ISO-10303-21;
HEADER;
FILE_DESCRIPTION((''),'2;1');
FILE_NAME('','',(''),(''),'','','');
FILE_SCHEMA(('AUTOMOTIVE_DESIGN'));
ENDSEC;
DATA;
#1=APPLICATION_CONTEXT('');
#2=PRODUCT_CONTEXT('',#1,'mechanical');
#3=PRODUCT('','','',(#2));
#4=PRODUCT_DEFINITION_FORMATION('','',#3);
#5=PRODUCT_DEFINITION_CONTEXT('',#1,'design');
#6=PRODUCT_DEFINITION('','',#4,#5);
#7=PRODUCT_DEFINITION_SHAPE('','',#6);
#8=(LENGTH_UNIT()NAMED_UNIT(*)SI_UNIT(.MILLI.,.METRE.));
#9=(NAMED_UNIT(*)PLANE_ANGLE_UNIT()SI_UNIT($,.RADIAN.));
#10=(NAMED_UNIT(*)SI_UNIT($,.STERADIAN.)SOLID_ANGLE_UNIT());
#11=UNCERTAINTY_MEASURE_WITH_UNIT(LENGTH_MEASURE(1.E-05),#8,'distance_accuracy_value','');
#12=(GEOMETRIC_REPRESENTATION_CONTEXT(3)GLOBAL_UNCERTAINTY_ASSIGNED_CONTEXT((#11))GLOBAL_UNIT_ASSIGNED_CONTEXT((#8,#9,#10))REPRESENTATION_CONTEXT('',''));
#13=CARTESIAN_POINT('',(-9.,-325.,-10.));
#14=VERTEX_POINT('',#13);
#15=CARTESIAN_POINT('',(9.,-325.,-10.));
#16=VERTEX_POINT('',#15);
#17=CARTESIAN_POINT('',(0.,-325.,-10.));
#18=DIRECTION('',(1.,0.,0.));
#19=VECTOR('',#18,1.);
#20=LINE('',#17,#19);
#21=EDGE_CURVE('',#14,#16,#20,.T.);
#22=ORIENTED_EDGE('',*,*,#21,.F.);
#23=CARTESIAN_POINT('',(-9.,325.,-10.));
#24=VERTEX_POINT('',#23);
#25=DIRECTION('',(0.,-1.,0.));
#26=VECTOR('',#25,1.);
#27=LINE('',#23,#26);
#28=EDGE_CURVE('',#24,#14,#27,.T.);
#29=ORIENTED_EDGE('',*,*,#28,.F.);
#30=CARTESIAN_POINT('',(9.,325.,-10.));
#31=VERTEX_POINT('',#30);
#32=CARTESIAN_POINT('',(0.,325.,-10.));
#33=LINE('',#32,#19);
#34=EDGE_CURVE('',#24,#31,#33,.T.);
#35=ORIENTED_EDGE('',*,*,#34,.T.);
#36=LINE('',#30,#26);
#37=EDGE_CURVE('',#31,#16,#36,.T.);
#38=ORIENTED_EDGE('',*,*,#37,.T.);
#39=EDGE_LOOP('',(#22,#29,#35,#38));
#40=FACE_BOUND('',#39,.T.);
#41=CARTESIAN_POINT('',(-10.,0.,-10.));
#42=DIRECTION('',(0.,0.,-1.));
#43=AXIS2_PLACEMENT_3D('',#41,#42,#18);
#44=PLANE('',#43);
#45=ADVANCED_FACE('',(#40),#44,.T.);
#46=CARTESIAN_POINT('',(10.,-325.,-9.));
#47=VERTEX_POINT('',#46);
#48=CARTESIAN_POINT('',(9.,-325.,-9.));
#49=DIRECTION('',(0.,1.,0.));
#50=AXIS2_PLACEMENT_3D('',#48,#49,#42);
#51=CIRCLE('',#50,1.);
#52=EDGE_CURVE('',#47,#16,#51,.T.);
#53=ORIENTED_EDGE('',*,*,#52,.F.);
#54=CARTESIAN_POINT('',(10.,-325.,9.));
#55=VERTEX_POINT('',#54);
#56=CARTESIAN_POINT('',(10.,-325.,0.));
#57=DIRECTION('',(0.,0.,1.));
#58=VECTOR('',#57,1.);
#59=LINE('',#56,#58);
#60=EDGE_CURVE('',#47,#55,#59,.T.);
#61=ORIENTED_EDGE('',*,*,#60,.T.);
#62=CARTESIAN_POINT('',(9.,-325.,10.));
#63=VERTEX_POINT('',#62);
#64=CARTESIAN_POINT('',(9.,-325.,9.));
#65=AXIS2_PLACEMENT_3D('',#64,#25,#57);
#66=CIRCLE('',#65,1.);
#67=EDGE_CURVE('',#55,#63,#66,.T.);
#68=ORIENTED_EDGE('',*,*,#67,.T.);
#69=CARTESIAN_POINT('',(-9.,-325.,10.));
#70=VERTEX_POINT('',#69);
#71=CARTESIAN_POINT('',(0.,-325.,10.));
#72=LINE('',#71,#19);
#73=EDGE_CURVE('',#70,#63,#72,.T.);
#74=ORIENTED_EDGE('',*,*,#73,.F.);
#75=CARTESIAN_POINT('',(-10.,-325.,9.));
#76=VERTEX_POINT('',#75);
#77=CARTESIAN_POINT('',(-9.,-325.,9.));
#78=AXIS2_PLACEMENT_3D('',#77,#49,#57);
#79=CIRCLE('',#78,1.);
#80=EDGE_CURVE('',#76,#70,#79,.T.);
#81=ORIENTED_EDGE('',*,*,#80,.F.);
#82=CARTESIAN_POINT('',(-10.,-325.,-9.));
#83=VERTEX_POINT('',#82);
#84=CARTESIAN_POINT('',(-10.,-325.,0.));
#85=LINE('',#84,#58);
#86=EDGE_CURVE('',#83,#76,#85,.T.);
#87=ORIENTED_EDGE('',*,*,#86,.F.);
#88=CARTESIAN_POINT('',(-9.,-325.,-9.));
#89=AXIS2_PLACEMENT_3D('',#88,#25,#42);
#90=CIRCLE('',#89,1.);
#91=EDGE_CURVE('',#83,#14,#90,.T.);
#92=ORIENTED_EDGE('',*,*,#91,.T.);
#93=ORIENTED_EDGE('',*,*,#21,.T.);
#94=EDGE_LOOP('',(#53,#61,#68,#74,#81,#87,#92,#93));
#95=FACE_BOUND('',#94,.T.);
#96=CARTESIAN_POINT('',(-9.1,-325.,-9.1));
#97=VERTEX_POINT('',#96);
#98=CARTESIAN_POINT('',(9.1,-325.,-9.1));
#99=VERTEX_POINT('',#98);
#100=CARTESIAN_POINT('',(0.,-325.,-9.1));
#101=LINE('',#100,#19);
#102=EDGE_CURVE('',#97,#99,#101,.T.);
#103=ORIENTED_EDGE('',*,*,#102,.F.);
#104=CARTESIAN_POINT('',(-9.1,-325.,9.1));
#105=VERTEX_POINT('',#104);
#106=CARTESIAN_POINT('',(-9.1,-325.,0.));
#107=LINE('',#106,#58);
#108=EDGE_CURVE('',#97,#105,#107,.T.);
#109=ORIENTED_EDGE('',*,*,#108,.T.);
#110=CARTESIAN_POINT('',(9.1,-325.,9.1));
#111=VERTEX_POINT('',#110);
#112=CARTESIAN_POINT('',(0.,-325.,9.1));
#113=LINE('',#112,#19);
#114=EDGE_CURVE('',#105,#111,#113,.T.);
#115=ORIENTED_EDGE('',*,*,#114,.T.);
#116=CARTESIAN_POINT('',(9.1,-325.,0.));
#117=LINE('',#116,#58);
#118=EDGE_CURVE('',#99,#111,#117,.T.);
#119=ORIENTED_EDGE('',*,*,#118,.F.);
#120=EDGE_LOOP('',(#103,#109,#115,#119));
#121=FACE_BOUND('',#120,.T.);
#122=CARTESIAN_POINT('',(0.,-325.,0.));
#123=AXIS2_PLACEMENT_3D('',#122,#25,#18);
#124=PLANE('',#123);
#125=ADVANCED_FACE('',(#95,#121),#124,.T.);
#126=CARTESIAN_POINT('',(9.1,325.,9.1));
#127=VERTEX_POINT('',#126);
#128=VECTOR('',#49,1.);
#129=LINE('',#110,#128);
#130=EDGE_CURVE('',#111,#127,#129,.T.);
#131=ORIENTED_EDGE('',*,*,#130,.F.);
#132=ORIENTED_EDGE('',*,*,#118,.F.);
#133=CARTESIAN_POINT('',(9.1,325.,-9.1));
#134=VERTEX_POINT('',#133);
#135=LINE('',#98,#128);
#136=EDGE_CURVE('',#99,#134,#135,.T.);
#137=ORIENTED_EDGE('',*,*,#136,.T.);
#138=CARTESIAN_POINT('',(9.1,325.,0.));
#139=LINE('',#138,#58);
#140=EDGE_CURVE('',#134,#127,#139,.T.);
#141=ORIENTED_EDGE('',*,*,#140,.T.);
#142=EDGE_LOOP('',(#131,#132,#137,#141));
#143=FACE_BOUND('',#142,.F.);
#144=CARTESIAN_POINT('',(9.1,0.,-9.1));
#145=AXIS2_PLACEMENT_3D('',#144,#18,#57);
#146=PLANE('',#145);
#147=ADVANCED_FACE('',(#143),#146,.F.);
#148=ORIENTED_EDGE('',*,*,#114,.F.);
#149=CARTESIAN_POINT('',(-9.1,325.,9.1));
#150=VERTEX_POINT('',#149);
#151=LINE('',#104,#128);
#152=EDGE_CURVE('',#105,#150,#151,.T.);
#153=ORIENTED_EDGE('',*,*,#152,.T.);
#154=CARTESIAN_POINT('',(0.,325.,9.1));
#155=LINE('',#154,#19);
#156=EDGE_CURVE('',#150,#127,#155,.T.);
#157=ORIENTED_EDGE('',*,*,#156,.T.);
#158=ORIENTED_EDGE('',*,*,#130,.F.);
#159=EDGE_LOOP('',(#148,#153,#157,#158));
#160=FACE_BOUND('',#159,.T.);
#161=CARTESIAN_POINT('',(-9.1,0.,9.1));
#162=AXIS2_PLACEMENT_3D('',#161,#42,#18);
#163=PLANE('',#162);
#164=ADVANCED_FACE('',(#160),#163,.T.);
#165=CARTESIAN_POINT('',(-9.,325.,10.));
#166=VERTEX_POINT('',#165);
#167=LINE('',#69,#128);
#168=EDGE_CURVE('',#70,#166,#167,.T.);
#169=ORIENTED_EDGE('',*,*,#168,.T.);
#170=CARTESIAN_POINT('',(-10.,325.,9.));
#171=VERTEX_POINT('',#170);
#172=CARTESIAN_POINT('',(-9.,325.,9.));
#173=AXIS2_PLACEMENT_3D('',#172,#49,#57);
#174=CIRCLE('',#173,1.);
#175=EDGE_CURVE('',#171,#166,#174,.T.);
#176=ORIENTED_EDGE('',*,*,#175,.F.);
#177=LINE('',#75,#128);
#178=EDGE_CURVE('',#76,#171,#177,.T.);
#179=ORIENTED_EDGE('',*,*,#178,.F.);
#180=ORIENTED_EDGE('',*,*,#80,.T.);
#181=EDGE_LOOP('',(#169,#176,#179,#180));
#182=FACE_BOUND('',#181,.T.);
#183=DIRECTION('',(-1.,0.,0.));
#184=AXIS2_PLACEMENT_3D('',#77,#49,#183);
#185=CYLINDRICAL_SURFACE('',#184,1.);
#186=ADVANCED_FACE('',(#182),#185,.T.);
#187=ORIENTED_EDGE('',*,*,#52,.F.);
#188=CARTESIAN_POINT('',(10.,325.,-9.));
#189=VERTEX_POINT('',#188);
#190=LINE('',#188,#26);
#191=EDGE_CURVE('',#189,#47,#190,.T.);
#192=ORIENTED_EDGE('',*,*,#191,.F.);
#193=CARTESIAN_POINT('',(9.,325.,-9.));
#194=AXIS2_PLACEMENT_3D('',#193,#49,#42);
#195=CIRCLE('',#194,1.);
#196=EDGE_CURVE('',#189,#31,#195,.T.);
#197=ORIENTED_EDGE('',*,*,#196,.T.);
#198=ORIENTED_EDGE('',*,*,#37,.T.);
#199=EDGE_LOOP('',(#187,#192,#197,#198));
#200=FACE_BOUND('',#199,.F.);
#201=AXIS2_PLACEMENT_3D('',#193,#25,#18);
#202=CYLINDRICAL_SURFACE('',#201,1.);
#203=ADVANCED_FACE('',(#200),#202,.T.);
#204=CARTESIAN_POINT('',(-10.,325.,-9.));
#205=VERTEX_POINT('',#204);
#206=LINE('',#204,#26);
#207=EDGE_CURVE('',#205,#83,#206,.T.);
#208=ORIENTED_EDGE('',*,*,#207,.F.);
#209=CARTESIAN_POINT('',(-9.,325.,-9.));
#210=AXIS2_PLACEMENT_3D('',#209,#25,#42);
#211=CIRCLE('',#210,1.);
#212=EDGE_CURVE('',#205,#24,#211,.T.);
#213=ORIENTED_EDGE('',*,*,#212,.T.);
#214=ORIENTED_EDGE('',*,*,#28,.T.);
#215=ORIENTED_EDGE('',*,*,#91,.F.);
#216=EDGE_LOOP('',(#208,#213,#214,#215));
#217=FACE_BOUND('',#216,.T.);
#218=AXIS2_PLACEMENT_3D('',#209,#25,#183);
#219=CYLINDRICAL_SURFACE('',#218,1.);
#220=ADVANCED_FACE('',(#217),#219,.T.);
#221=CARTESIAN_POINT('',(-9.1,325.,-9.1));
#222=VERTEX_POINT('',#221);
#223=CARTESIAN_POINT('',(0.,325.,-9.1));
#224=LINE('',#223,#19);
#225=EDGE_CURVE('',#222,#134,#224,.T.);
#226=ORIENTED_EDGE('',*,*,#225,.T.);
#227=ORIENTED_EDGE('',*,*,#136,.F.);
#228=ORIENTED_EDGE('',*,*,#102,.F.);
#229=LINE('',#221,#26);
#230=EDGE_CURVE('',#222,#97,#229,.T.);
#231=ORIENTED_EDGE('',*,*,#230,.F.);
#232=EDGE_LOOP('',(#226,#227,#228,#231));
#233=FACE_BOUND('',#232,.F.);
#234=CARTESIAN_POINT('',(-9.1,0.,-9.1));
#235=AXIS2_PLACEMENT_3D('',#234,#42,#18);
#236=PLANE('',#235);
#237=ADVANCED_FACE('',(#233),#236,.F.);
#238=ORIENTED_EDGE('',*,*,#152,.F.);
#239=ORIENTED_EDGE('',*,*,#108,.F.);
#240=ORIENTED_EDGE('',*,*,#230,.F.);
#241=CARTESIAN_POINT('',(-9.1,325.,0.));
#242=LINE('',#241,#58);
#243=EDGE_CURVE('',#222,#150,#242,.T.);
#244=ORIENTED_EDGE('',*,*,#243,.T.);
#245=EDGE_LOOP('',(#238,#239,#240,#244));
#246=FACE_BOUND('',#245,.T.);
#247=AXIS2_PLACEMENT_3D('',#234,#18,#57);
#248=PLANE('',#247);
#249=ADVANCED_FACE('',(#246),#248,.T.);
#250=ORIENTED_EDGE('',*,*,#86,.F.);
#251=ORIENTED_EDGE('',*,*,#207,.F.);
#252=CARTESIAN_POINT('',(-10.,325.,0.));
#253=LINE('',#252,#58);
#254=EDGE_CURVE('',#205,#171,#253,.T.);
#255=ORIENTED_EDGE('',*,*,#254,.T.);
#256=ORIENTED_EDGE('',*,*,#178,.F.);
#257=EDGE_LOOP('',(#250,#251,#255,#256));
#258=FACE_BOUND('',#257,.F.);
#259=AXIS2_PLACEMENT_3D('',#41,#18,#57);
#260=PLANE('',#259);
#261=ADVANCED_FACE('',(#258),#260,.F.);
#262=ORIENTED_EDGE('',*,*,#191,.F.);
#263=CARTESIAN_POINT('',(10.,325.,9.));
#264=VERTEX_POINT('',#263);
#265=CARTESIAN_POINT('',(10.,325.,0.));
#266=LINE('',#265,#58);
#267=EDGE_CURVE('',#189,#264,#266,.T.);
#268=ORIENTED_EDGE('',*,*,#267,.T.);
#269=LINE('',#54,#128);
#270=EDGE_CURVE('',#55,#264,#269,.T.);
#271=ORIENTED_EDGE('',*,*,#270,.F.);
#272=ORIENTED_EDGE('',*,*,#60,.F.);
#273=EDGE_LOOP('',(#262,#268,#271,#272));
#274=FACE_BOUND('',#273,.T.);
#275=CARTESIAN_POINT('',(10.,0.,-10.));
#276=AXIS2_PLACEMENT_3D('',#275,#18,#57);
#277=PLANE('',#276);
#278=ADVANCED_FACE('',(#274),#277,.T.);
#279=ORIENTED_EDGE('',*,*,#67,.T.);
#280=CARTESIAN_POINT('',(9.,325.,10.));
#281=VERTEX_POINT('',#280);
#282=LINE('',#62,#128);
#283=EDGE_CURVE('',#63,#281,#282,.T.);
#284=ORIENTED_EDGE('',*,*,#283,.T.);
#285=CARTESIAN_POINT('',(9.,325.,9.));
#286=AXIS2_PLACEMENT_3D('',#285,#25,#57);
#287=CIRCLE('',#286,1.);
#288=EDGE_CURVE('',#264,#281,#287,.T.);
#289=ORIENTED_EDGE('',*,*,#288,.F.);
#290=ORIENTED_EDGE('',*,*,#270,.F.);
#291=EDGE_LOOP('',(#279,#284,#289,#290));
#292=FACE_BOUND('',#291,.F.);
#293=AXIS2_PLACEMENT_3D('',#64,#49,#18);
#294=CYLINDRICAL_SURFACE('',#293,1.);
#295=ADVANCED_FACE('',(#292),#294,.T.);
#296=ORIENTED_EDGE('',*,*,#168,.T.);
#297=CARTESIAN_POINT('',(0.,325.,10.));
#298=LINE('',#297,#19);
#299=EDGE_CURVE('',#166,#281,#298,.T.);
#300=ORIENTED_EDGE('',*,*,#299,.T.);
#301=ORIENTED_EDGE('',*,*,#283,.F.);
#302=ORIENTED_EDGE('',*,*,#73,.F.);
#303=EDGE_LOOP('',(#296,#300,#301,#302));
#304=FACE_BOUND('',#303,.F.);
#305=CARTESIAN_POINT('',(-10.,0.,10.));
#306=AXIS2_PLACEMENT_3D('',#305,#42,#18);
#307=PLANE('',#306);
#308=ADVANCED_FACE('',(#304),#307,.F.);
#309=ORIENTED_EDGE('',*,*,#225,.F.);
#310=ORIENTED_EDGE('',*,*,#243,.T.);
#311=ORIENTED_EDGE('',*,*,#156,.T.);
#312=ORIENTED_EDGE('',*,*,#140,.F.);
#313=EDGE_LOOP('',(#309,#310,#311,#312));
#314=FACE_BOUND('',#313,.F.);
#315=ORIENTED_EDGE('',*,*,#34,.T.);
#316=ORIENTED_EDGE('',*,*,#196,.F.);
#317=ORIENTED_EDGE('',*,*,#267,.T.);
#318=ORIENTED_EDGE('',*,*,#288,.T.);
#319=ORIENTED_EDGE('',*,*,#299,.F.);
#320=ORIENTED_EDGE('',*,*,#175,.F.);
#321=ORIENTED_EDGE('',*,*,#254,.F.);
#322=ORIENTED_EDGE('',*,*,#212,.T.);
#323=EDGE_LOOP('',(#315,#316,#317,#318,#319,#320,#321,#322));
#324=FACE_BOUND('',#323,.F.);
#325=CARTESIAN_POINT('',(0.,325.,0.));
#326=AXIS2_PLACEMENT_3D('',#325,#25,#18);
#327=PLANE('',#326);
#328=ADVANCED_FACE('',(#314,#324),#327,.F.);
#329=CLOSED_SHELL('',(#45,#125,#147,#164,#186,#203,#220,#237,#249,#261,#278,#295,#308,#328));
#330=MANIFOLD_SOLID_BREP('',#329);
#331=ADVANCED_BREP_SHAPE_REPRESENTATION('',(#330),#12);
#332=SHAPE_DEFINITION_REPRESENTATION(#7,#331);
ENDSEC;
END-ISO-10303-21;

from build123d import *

# Parameters (mm, degrees)
F0_W     = 20
F0_H     = 20
F0_W_2   = 18.2
F0_H_2   = 18.2
F1_DEPTH = 325
F2_R     = 1


with BuildPart() as f1:
    # F0 (on Front) → F1 (new body, symmetric)
    with BuildSketch(Plane.XZ):
        Rectangle(F0_W, F0_H)
        Rectangle(F0_W_2, F0_H_2, mode=Mode.SUBTRACT)
    extrude(amount=F1_DEPTH, both=True)

    # F2
    f2_edges = [f1.edges().sort_by_distance(p)[0] for p in [
        (10, 0, 10),
        (-10, 0, 10),
        (10, 0, -10),
        (-10, 0, -10),
    ]]
    fillet(f2_edges, radius=F2_R)


solid = f1.part
